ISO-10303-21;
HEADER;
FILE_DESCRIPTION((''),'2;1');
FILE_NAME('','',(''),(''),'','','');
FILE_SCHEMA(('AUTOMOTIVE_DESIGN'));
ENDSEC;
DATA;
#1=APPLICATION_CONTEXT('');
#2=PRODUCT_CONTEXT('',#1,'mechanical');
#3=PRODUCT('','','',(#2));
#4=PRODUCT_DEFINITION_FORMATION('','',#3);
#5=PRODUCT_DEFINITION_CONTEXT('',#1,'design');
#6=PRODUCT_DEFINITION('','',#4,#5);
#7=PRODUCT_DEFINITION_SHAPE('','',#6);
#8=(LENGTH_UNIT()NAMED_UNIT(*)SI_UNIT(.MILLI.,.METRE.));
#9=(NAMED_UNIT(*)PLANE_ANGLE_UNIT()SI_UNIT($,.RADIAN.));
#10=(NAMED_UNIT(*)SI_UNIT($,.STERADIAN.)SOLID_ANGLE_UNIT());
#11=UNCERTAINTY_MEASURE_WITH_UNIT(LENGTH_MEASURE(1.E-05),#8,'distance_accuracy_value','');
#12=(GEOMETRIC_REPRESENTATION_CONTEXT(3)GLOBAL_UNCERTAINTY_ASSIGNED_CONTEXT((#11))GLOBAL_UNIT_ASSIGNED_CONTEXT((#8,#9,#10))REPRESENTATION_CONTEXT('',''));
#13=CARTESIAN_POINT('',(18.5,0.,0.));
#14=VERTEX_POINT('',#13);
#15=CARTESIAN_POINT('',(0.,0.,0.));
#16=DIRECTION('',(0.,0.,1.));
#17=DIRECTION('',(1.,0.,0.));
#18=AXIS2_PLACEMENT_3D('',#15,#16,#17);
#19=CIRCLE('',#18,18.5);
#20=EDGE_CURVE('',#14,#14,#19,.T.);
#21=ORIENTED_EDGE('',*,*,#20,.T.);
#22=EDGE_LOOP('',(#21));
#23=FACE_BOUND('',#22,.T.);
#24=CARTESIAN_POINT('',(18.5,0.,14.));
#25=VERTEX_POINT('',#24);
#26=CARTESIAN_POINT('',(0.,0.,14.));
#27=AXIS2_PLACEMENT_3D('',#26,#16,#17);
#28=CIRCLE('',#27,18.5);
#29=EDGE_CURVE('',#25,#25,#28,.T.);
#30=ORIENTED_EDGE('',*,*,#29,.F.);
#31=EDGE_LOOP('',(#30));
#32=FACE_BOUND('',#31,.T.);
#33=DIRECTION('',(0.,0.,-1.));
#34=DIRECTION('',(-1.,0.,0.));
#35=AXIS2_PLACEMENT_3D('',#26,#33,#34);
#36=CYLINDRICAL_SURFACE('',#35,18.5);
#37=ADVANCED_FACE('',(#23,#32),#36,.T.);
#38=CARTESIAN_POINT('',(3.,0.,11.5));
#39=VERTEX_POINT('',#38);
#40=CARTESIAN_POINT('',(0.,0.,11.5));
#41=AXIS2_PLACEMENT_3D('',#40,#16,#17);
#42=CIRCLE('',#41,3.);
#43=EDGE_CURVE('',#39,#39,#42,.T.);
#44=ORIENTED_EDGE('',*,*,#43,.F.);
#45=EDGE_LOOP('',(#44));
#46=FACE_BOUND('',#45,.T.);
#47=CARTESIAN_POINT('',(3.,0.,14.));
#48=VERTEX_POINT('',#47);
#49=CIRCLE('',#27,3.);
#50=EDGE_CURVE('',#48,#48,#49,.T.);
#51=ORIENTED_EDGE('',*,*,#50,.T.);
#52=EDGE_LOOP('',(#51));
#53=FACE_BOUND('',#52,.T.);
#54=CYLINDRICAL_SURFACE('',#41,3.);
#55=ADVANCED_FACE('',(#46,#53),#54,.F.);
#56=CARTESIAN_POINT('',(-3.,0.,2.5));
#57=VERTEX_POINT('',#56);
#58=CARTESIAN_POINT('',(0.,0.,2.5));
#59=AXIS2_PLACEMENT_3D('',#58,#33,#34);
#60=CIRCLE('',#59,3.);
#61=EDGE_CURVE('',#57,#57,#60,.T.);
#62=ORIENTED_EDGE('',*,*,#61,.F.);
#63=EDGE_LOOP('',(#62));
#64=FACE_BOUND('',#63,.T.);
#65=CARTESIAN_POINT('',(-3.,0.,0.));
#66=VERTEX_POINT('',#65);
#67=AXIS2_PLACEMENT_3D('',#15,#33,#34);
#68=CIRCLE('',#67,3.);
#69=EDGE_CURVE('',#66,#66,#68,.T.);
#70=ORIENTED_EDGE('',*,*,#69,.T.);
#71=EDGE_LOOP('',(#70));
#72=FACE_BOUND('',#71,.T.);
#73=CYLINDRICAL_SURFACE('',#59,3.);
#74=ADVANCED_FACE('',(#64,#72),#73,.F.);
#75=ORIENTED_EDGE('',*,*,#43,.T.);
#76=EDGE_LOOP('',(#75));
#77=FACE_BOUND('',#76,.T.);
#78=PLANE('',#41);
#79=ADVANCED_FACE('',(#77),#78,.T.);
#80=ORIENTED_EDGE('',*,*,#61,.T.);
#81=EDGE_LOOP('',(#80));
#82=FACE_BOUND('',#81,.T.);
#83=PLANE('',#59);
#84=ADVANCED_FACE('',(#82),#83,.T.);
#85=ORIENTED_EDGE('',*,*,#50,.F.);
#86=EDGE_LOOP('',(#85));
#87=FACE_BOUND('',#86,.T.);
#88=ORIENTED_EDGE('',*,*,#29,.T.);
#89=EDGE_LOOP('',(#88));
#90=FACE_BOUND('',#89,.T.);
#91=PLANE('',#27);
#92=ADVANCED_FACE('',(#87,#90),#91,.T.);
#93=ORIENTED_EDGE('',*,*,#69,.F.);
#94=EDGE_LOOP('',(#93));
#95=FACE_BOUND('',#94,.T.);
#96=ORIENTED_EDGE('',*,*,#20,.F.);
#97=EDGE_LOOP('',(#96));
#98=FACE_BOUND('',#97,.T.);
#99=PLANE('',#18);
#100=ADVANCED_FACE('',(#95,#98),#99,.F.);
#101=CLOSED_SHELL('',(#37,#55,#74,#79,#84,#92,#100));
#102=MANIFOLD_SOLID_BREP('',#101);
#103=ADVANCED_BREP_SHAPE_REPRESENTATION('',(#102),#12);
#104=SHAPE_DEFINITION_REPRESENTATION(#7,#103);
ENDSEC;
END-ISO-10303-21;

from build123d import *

# Parameters (mm, degrees)
SKETCH_1_R          = 18.5
EXTRUDE_1_DEPTH     = 14
SKETCH_2_R          = 3
CUT_EXTRUDE_1_DEPTH = 2.5
SKETCH_3_R          = 3
CUT_EXTRUDE_2_DEPTH = 2.5


with BuildPart() as part:
    # 草图1 → 凸台-拉伸1 (new body)
    with BuildSketch(Plane.XY):
        Circle(SKETCH_1_R)
    extrude(amount=EXTRUDE_1_DEPTH)

    # 草图2 → 切除-拉伸1 (cut)
    with BuildSketch(Plane(origin=(0, 0, 0), x_dir=(-1, 0, 0), z_dir=(0, 0, -1))):
        Circle(SKETCH_2_R)
    extrude(amount=-CUT_EXTRUDE_1_DEPTH, mode=Mode.SUBTRACT)

    # 草图3 → 切除-拉伸2 (cut)
    with BuildSketch(Plane.XY.offset(14)):
        Circle(SKETCH_3_R)
    extrude(amount=-CUT_EXTRUDE_2_DEPTH, mode=Mode.SUBTRACT)


solid = part.part
